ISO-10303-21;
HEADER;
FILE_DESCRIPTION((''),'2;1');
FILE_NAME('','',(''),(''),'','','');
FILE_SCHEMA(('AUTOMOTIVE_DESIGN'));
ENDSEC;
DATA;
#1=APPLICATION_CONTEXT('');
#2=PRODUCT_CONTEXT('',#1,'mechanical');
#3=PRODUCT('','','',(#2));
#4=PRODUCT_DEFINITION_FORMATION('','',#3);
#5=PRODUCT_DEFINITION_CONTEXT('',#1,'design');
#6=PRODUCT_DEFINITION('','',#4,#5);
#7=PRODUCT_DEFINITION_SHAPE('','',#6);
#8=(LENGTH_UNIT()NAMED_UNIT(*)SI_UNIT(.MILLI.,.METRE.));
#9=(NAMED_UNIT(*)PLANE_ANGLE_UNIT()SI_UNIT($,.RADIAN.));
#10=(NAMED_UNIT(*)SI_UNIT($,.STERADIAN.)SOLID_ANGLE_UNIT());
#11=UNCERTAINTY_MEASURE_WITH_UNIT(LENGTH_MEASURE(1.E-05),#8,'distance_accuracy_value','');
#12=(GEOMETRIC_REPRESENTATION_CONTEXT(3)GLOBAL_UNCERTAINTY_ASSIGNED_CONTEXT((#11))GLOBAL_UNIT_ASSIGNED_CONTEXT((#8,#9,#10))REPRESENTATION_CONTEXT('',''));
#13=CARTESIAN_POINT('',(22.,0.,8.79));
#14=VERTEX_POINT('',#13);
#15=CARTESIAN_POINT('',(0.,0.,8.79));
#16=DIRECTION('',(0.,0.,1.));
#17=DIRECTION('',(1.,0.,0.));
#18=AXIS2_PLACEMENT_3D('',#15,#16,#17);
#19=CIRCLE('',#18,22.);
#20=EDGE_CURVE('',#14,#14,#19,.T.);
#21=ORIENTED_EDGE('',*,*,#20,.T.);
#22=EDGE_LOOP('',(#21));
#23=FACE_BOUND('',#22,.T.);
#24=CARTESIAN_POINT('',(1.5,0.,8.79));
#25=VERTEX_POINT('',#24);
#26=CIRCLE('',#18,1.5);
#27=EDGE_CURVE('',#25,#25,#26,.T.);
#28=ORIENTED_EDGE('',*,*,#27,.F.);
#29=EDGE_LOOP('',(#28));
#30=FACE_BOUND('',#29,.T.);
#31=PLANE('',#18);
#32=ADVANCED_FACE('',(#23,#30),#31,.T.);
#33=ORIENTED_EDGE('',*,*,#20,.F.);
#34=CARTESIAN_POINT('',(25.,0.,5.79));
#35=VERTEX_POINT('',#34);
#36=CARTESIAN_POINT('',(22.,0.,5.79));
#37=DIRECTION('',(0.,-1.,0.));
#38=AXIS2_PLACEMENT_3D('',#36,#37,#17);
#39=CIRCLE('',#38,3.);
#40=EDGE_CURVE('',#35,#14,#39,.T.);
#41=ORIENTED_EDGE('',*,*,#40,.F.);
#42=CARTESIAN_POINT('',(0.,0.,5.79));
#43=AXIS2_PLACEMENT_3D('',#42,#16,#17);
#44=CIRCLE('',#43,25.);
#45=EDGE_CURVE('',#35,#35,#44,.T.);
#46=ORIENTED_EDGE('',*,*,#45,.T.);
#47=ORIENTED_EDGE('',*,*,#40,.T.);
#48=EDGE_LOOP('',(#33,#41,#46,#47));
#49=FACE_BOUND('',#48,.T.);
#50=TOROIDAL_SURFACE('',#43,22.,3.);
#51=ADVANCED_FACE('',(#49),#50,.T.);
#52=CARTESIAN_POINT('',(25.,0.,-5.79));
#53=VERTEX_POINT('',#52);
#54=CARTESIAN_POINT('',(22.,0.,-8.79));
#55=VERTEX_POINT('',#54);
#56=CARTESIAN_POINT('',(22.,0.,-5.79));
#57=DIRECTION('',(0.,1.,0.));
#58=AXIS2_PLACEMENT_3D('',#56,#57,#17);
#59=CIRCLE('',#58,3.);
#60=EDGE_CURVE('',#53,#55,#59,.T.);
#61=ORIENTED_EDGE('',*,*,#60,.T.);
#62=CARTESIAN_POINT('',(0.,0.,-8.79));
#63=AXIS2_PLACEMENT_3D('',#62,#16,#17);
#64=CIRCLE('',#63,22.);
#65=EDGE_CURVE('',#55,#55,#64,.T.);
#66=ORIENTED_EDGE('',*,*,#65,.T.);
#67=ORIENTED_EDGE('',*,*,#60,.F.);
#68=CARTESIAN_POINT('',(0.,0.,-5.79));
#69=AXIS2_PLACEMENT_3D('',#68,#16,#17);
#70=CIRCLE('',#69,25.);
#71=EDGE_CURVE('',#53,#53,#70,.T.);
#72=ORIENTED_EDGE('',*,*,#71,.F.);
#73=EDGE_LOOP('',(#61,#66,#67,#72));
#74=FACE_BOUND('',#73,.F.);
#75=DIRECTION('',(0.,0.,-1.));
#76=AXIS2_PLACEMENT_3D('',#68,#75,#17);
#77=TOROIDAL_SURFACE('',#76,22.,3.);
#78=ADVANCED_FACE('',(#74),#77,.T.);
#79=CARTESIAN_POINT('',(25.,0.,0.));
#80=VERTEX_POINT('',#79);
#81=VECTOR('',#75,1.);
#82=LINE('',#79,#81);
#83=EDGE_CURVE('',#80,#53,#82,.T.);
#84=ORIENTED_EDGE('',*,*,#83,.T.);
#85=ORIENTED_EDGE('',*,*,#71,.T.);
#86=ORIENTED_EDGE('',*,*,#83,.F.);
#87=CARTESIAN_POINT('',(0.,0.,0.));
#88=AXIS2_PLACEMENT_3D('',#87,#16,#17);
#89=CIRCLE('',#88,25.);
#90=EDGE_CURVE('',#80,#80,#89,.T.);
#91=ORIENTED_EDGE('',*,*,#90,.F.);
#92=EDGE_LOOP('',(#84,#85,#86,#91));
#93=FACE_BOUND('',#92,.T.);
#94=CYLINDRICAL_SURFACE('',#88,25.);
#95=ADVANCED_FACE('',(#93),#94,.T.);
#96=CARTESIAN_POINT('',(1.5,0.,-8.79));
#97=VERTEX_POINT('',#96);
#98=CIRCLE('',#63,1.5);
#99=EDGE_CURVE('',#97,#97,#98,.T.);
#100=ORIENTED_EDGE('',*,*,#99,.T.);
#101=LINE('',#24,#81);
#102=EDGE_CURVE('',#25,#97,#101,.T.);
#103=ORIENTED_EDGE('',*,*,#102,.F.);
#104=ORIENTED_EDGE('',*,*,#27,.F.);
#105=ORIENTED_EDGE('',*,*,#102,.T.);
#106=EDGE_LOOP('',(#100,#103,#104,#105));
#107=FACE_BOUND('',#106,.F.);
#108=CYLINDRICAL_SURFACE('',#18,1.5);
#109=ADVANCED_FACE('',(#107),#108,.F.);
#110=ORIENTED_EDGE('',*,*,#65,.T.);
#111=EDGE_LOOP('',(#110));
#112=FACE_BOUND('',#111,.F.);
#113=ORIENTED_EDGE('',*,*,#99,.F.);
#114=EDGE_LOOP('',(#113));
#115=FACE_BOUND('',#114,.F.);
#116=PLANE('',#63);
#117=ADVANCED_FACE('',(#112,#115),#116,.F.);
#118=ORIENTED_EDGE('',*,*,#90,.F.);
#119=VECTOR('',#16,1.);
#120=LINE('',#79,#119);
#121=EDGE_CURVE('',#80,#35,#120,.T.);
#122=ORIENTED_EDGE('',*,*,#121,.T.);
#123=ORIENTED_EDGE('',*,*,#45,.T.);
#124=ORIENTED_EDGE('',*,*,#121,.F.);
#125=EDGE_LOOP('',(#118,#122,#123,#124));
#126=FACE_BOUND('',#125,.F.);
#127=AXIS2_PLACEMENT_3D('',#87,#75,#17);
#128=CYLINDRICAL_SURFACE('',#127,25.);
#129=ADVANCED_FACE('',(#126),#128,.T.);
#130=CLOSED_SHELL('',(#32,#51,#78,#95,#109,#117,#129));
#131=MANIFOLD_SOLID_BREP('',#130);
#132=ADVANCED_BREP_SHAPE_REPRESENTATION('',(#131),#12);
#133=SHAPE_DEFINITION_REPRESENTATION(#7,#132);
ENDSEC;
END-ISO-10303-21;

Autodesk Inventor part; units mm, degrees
ref_plane "YZ Plane" through (0, 0, 0) normal (1, 0, 0) x (0, 1, 0)
ref_plane "XZ Plane" through (0, 0, 0) normal (0, 1, 0) x (-1, 0, 0)
ref_plane "XY Plane" through (0, 0, 0) normal (0, 0, 1) x (1, 0, 0)
sketch "Sketch1" plane through (0, 0, 0) normal (0, 0, 1) x (1, 0, 0)
  circle A0 centre (0, 0) radius 25
  dimension "d6" = 50
extrude "Extrusion1" add sketch "Sketch1" along normal mid plane 17.58
fillet "Fillet1" radius 3 2 edges at (-25, 0, 8.79) (-25, 0, -8.79)
sketch "Sketch2" plane through (0, 0, 8.79) normal (0, 0, 1) x (1, 0, 0)
  circle A0 centre (0, 0) radius 1.5
  dimension "d10" = 3
extrude "Extrusion2" cut sketch "Sketch2" along normal through all both and the other way through all
properties part number "B-50mWheel"
